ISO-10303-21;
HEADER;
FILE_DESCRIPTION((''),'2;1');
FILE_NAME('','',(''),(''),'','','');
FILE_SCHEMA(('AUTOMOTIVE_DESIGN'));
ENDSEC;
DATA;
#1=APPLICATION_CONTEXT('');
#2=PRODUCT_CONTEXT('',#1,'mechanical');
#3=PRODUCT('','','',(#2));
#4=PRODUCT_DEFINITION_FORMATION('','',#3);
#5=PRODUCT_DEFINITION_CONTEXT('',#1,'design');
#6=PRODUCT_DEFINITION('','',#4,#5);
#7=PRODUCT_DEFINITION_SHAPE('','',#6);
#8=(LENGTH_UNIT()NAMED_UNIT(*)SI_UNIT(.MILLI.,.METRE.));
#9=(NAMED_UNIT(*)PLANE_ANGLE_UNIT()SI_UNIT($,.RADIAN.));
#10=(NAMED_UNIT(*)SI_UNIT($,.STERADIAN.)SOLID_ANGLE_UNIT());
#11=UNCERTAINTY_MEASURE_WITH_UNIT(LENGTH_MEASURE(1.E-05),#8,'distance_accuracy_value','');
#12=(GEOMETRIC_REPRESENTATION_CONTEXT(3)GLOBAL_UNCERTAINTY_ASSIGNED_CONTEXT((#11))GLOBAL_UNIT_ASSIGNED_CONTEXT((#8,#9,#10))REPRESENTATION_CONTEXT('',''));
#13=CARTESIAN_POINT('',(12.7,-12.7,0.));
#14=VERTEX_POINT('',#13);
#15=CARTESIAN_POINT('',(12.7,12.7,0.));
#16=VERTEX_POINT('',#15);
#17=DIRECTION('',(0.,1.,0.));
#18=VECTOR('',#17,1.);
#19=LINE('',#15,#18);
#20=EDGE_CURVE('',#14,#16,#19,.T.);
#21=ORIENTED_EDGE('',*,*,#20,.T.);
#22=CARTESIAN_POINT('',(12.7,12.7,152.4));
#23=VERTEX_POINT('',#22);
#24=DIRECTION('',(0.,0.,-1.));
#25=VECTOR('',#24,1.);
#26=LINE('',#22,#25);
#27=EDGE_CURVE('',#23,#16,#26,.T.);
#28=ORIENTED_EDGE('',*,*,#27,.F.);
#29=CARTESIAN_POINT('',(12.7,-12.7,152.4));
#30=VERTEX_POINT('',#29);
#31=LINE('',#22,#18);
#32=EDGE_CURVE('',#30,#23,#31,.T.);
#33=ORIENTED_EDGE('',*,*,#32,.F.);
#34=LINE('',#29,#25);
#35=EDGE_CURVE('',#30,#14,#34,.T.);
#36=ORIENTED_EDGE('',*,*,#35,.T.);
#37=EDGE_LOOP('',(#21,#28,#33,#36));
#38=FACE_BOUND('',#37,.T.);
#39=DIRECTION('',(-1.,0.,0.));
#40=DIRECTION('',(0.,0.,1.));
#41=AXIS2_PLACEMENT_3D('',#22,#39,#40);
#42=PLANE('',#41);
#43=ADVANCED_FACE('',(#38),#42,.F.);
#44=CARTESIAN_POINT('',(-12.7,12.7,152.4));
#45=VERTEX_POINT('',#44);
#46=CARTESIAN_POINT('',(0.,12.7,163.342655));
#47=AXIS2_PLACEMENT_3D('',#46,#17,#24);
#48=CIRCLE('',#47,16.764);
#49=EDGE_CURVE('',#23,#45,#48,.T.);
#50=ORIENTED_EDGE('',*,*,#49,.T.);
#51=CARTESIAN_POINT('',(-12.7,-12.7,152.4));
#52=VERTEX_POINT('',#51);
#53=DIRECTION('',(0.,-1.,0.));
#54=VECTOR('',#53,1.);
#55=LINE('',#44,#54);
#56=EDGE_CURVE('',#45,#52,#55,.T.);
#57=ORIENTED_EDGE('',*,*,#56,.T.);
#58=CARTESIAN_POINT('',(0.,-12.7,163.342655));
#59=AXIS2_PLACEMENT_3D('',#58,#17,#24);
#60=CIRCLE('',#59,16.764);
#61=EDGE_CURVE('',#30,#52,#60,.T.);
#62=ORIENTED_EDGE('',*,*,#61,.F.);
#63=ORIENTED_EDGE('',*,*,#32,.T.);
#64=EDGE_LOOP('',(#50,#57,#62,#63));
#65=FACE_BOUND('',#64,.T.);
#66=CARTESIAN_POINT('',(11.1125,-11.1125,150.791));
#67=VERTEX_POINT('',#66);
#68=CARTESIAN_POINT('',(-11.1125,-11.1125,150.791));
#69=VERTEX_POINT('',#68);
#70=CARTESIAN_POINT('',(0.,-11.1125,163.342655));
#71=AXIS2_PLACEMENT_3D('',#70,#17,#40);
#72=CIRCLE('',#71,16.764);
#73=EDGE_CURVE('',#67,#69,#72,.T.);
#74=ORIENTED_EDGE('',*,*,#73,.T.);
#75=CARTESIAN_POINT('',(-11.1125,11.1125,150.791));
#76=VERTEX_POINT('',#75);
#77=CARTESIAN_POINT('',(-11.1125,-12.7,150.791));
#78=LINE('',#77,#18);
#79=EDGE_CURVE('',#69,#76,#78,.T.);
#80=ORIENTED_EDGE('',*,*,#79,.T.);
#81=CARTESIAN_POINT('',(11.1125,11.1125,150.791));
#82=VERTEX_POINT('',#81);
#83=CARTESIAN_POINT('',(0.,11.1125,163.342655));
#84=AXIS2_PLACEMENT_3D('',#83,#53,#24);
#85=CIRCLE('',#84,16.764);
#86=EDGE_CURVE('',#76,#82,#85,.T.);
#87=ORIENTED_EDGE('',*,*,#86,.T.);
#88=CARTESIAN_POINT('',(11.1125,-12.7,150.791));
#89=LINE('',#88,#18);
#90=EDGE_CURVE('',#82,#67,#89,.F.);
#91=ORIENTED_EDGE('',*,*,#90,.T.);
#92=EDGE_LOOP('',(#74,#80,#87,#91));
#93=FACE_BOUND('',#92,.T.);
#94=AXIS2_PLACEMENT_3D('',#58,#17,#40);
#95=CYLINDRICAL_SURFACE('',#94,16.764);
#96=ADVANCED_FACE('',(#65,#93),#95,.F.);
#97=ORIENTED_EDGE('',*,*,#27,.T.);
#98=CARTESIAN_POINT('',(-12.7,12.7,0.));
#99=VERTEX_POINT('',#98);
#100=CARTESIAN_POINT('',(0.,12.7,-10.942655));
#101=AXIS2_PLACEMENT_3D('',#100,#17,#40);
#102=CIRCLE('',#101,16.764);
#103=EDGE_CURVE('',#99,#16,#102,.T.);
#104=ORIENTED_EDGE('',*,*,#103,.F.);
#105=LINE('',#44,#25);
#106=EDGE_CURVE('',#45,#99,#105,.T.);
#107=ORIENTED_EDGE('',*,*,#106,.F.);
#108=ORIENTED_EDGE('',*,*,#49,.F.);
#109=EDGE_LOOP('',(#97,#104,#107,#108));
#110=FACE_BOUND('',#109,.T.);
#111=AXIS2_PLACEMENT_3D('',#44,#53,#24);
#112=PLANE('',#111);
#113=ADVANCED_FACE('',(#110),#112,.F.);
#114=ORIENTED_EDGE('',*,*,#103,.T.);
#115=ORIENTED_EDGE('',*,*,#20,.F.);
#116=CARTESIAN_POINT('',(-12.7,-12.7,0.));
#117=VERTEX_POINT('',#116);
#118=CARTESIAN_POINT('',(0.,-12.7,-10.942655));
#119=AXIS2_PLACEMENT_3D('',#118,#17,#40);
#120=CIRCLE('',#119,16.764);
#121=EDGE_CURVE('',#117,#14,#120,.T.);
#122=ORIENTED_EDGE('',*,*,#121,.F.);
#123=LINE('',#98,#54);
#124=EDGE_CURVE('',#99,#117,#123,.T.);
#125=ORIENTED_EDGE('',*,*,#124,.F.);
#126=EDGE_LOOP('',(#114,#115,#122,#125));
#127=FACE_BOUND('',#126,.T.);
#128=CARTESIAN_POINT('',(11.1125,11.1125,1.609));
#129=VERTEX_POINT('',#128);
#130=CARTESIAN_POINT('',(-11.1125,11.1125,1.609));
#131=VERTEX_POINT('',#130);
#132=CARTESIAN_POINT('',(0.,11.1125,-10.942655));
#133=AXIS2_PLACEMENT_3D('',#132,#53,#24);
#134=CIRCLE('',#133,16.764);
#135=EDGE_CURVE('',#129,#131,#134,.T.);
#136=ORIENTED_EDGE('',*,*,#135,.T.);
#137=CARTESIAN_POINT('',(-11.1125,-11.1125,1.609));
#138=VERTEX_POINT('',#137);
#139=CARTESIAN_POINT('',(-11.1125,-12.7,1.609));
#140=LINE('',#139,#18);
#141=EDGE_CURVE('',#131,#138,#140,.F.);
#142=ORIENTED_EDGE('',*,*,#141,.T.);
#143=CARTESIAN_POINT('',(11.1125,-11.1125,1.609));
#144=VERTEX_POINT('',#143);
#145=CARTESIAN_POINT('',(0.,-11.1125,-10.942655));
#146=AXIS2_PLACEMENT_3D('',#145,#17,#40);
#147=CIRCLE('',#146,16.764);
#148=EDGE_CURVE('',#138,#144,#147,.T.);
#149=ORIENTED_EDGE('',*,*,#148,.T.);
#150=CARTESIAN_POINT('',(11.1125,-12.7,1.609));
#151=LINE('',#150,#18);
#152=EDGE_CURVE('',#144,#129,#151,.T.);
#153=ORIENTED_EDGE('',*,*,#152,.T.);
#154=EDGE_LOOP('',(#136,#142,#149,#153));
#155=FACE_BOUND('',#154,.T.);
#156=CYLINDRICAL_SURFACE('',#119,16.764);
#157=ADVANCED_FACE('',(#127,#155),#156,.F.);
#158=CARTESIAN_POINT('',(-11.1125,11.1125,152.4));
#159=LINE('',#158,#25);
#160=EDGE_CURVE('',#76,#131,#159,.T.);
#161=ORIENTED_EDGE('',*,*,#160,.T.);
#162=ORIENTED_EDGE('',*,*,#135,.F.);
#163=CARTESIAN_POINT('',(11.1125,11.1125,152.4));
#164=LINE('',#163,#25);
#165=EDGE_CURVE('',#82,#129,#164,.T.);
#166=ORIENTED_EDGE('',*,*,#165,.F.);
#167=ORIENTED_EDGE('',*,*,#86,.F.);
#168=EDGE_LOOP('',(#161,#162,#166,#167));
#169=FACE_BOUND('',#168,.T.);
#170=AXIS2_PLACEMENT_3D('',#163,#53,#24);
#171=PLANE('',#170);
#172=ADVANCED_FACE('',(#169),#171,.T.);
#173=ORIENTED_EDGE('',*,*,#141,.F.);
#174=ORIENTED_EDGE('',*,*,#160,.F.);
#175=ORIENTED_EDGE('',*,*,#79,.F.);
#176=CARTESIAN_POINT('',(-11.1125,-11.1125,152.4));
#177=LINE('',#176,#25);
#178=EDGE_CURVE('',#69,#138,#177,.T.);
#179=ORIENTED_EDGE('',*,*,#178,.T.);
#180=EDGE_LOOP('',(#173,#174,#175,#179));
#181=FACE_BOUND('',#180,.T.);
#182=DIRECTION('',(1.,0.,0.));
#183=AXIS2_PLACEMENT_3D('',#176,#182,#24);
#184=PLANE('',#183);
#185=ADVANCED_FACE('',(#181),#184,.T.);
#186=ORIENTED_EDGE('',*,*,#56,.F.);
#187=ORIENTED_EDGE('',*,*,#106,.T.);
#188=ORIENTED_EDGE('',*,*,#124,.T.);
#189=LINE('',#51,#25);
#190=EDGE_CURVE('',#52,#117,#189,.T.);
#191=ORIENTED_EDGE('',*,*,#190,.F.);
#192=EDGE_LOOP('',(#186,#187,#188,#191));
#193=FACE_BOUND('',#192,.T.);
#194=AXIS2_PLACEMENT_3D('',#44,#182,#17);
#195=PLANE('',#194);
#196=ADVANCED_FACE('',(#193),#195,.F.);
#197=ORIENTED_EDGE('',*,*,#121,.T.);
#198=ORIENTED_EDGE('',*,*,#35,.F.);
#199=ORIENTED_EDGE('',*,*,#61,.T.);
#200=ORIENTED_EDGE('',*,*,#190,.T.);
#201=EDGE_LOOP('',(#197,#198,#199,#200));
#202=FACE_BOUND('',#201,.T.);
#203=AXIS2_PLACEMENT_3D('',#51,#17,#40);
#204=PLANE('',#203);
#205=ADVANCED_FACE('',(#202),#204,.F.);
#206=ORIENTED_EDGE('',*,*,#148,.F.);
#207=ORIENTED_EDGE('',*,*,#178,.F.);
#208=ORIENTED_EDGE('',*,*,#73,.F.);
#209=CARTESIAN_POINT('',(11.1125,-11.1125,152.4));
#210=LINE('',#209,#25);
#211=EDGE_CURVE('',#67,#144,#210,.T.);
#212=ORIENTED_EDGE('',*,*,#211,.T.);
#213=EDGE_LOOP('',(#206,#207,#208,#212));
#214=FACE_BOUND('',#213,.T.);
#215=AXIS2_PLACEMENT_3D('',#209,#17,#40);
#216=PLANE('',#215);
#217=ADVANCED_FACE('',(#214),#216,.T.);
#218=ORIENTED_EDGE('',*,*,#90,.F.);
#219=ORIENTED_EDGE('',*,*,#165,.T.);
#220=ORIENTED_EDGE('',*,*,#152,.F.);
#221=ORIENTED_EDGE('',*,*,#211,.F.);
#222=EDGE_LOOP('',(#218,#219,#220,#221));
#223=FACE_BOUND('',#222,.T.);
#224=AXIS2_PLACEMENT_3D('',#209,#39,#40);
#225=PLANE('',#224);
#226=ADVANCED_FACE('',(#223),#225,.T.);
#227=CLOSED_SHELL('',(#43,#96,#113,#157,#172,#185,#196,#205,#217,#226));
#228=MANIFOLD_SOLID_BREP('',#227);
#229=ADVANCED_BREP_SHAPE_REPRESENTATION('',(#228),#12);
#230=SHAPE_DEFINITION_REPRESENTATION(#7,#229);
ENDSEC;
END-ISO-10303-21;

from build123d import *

# Parameters (mm, degrees)
SKETCH1_W           = 25.4
SKETCH1_H           = 25.4
SKETCH1_W_2         = 22.225
SKETCH1_H_2         = 22.225
BOSS_EXTRUDE1_DEPTH = 152.4
CUT_EXTRUDE1_DEPTH  = 156.02325632


with BuildPart() as part:
    # Sketch1 → Boss-Extrude1 (new body)
    with BuildSketch(Plane.XY):
        Rectangle(SKETCH1_W, SKETCH1_H)
        Rectangle(SKETCH1_W_2, SKETCH1_H_2, mode=Mode.SUBTRACT)
    extrude(amount=BOSS_EXTRUDE1_DEPTH)

    # Sketch2 → Cut-Extrude1 (cut, through all)
    with BuildSketch(Plane(origin=(0, 12.7, 0), x_dir=(1, 0, 0), z_dir=(0, 1, 0))):
        with BuildLine():
            Line((-12.7, 0), (12.7, 0))
            ThreePointArc((12.7, 0), (0, -5.821345112), (-12.7, 0))
        make_face()
        with BuildLine():
            Line((12.7, -152.4), (-12.7, -152.4))
            ThreePointArc((-12.7, -152.4), (0, -146.578654888), (12.7, -152.4))
        make_face()
    extrude(amount=-CUT_EXTRUDE1_DEPTH, mode=Mode.SUBTRACT)


solid = part.part
